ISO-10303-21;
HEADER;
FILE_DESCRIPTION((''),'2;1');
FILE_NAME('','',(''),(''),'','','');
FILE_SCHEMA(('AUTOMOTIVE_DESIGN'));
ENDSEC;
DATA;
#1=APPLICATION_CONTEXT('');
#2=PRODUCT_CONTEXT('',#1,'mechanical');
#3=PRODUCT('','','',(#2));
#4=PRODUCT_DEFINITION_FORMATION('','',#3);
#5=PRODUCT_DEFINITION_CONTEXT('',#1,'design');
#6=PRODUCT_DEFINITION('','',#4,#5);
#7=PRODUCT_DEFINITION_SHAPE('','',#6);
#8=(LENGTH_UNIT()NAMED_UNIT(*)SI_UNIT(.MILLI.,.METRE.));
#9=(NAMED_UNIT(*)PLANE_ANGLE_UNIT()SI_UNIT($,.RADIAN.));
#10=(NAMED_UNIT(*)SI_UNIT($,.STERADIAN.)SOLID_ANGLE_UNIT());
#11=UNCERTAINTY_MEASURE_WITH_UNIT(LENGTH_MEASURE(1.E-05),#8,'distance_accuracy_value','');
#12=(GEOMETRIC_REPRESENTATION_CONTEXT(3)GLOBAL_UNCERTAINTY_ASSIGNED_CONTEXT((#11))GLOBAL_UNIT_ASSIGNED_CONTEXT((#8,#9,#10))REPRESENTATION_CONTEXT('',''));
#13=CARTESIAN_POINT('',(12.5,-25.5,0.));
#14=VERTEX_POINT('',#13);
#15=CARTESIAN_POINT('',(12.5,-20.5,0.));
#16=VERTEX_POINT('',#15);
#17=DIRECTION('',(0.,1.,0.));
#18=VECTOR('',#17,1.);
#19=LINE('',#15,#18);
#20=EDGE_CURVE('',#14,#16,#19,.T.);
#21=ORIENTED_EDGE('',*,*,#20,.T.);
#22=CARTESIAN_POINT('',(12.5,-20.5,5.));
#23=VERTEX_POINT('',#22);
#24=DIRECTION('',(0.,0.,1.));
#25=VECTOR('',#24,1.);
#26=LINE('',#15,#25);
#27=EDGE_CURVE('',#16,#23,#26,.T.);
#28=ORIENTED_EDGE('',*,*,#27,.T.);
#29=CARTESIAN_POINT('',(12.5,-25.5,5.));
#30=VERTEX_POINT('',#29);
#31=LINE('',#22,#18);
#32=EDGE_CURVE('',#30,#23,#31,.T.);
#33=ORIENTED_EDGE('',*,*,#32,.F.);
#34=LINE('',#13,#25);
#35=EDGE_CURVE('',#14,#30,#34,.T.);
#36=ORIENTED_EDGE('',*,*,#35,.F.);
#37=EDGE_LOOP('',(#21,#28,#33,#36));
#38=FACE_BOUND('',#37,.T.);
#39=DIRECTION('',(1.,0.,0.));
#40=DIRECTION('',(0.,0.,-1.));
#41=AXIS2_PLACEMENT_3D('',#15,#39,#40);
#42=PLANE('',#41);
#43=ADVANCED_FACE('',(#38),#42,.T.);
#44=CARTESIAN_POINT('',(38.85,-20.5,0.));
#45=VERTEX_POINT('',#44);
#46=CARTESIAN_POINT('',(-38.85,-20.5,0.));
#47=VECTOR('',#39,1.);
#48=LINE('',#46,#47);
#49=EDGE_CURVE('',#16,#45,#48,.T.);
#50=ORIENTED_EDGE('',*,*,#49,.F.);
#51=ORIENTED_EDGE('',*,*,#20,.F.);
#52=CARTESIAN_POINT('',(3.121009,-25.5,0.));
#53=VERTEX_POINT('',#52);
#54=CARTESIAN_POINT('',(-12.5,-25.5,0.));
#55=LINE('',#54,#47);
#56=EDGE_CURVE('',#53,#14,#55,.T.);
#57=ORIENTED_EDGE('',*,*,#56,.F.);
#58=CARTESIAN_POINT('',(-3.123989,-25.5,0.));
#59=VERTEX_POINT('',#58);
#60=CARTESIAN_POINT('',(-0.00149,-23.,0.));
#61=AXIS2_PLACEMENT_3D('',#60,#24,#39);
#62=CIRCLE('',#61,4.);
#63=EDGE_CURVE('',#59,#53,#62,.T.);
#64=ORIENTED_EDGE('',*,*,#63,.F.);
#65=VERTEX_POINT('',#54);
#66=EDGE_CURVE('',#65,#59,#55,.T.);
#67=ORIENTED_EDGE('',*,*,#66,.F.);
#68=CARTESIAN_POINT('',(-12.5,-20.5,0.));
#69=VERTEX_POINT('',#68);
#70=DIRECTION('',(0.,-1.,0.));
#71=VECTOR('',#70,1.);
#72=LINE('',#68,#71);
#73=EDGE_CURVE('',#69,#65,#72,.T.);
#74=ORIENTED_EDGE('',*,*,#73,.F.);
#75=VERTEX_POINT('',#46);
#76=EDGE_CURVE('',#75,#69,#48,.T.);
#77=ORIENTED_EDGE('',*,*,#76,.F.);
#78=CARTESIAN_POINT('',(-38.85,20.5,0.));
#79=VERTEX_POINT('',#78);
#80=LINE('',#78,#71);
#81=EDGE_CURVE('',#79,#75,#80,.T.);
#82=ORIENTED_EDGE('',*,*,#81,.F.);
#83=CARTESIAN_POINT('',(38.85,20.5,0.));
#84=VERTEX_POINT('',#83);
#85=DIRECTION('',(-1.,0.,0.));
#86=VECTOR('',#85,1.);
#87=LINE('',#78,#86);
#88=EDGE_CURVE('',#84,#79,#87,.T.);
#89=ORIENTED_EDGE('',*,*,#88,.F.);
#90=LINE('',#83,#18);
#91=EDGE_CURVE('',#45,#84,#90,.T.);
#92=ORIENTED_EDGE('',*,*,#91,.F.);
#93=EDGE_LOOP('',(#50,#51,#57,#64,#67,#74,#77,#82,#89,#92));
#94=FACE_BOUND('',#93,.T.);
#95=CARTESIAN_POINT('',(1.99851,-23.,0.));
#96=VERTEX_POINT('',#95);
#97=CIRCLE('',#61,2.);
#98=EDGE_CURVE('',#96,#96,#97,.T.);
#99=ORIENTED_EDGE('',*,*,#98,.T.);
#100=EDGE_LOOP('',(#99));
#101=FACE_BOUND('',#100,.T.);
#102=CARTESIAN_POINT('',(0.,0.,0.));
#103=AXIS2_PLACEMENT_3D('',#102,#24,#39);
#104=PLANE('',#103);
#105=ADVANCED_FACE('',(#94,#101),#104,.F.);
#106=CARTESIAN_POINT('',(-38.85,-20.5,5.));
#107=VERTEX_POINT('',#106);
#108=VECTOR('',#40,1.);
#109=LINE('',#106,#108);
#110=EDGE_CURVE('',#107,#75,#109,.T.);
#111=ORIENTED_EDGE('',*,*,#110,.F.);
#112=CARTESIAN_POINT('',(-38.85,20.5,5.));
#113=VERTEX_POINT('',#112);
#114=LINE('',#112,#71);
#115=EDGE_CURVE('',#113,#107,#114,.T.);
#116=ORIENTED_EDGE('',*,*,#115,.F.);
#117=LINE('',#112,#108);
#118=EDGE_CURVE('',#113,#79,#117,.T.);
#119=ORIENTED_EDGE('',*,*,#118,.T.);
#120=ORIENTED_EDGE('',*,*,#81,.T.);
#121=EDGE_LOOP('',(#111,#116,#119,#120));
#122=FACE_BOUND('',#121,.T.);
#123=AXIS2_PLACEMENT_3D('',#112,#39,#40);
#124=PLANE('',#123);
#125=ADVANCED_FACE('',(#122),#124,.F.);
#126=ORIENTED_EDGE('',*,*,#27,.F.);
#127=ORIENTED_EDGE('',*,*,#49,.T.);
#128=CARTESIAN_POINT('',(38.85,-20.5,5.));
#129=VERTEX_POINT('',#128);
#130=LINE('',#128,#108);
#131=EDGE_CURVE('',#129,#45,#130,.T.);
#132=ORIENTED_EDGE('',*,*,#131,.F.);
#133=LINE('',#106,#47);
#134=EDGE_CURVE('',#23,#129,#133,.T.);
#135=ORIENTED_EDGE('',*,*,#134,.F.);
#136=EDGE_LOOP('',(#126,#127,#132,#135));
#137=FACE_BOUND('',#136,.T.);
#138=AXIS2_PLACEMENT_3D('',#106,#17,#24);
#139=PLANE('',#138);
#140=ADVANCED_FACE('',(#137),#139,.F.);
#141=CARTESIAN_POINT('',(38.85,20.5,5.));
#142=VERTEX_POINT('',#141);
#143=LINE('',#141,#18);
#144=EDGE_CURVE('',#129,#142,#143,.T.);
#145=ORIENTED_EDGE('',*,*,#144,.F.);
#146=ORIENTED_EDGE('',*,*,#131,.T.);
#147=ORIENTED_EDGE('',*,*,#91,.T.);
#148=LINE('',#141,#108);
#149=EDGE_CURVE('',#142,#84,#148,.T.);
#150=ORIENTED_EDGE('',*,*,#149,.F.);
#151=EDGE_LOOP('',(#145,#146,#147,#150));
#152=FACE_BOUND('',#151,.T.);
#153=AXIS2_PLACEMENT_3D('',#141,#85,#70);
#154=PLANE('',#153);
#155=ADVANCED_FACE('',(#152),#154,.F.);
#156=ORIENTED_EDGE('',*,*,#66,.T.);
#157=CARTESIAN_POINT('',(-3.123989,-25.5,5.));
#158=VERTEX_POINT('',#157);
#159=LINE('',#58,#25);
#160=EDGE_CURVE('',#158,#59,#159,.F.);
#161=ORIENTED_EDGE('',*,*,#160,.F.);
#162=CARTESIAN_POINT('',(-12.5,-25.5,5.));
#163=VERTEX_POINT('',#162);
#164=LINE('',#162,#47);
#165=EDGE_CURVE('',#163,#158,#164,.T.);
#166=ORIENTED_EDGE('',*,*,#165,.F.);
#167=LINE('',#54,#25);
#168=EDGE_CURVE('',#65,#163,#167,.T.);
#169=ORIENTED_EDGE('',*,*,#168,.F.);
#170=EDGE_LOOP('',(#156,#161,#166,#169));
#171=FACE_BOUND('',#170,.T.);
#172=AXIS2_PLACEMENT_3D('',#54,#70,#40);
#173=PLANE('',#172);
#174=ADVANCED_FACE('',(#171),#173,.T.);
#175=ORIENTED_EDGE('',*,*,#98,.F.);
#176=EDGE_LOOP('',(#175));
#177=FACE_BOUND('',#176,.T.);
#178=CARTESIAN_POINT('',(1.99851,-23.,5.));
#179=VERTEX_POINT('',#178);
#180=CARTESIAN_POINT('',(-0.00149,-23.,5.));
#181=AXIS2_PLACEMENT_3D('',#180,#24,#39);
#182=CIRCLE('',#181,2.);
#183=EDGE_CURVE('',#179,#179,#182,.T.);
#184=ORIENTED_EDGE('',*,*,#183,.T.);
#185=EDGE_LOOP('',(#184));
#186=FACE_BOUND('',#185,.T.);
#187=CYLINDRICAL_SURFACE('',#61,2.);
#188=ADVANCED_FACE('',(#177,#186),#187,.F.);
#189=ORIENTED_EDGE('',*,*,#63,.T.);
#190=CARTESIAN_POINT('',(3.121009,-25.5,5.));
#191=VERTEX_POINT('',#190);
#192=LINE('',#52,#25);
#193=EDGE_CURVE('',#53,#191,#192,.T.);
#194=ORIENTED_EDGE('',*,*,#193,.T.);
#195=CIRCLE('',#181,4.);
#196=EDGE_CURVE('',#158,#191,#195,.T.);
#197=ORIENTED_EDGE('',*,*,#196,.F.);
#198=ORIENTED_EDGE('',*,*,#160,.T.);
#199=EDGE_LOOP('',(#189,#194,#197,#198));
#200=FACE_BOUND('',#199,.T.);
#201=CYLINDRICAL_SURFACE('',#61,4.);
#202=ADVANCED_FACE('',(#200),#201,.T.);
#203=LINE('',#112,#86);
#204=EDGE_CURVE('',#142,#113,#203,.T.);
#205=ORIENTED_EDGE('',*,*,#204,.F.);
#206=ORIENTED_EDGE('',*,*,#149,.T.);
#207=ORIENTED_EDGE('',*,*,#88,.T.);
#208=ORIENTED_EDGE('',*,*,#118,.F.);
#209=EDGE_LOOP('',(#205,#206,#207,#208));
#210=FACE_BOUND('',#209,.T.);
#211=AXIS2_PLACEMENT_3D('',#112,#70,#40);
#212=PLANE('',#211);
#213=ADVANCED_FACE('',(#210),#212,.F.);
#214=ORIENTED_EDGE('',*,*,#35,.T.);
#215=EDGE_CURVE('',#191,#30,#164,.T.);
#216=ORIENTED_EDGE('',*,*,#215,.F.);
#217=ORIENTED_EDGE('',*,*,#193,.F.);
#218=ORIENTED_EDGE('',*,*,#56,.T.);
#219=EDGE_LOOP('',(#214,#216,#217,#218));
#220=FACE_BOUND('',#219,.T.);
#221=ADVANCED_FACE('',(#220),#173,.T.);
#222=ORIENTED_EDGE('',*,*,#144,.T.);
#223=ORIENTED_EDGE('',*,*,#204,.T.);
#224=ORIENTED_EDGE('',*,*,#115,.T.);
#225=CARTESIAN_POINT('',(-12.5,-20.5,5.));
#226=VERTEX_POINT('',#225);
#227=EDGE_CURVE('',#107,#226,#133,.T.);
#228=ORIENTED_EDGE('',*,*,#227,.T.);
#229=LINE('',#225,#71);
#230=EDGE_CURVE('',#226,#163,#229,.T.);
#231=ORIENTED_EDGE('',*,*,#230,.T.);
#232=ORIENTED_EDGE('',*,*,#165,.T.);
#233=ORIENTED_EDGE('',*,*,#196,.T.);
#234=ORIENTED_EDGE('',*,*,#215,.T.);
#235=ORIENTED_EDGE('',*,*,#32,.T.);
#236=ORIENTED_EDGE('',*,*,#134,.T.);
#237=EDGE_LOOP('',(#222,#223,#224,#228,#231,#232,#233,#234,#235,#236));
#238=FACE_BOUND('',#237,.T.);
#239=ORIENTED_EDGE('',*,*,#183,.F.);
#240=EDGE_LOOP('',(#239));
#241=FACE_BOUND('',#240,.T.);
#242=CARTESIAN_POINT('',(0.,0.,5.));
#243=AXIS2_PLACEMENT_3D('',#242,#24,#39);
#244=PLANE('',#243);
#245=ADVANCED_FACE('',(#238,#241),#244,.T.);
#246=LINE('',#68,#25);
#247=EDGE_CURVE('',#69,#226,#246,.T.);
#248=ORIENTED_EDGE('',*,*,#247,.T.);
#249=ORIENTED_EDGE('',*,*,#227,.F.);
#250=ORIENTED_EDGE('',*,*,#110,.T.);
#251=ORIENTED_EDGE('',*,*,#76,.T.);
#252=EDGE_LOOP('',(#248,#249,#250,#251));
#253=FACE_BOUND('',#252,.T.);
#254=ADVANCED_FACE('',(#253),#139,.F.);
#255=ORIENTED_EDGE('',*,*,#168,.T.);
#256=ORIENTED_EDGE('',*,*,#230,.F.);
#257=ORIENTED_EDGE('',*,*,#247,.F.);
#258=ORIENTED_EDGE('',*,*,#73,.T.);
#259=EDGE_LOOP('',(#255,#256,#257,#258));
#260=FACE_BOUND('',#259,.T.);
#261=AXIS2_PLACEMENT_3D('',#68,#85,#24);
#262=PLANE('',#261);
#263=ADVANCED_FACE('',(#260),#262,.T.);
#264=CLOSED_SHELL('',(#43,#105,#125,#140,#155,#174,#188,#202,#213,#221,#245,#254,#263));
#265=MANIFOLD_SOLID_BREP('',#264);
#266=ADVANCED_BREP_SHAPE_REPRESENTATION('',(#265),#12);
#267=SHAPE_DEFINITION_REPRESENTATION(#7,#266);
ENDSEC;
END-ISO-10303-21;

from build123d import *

# Parameters (mm, degrees)
SKETCH1_W           = 77.7
SKETCH1_H           = 41
BOSS_EXTRUDE1_DEPTH = 5
SKETCH2_W           = 25
SKETCH2_H           = 5
BOSS_EXTRUDE2_DEPTH = 5
SKETCH3_R           = 2
CUT_EXTRUDE1_DEPTH  = 5
SKETCH4_R           = 4
SKETCH4_R_2         = 2
BOSS_EXTRUDE3_DEPTH = 5


with BuildPart() as part:
    # Sketch1 → Boss-Extrude1 (new body)
    with BuildSketch(Plane.XY):
        Rectangle(SKETCH1_W, SKETCH1_H)
    extrude(amount=BOSS_EXTRUDE1_DEPTH)

    # Sketch2 → Boss-Extrude2 (add)
    with BuildSketch(Plane.XY.offset(5)):
        with Locations((0, -23)):
            Rectangle(SKETCH2_W, SKETCH2_H)
    extrude(amount=-BOSS_EXTRUDE2_DEPTH)

    # Sketch3 → Cut-Extrude1 (cut)
    with BuildSketch(Plane.XY.offset(5)):
        with Locations((-0.001489704, -23)):
            Circle(SKETCH3_R)
    extrude(amount=-CUT_EXTRUDE1_DEPTH, mode=Mode.SUBTRACT)

    # Sketch4 → Boss-Extrude3 (add)
    with BuildSketch(Plane.XY.offset(5)):
        with Locations((-0.001489704, -23)):
            Circle(SKETCH4_R)
        with Locations((-0.001489704, -23)):
            Circle(SKETCH4_R_2, mode=Mode.SUBTRACT)
    extrude(amount=-BOSS_EXTRUDE3_DEPTH)


solid = part.part
